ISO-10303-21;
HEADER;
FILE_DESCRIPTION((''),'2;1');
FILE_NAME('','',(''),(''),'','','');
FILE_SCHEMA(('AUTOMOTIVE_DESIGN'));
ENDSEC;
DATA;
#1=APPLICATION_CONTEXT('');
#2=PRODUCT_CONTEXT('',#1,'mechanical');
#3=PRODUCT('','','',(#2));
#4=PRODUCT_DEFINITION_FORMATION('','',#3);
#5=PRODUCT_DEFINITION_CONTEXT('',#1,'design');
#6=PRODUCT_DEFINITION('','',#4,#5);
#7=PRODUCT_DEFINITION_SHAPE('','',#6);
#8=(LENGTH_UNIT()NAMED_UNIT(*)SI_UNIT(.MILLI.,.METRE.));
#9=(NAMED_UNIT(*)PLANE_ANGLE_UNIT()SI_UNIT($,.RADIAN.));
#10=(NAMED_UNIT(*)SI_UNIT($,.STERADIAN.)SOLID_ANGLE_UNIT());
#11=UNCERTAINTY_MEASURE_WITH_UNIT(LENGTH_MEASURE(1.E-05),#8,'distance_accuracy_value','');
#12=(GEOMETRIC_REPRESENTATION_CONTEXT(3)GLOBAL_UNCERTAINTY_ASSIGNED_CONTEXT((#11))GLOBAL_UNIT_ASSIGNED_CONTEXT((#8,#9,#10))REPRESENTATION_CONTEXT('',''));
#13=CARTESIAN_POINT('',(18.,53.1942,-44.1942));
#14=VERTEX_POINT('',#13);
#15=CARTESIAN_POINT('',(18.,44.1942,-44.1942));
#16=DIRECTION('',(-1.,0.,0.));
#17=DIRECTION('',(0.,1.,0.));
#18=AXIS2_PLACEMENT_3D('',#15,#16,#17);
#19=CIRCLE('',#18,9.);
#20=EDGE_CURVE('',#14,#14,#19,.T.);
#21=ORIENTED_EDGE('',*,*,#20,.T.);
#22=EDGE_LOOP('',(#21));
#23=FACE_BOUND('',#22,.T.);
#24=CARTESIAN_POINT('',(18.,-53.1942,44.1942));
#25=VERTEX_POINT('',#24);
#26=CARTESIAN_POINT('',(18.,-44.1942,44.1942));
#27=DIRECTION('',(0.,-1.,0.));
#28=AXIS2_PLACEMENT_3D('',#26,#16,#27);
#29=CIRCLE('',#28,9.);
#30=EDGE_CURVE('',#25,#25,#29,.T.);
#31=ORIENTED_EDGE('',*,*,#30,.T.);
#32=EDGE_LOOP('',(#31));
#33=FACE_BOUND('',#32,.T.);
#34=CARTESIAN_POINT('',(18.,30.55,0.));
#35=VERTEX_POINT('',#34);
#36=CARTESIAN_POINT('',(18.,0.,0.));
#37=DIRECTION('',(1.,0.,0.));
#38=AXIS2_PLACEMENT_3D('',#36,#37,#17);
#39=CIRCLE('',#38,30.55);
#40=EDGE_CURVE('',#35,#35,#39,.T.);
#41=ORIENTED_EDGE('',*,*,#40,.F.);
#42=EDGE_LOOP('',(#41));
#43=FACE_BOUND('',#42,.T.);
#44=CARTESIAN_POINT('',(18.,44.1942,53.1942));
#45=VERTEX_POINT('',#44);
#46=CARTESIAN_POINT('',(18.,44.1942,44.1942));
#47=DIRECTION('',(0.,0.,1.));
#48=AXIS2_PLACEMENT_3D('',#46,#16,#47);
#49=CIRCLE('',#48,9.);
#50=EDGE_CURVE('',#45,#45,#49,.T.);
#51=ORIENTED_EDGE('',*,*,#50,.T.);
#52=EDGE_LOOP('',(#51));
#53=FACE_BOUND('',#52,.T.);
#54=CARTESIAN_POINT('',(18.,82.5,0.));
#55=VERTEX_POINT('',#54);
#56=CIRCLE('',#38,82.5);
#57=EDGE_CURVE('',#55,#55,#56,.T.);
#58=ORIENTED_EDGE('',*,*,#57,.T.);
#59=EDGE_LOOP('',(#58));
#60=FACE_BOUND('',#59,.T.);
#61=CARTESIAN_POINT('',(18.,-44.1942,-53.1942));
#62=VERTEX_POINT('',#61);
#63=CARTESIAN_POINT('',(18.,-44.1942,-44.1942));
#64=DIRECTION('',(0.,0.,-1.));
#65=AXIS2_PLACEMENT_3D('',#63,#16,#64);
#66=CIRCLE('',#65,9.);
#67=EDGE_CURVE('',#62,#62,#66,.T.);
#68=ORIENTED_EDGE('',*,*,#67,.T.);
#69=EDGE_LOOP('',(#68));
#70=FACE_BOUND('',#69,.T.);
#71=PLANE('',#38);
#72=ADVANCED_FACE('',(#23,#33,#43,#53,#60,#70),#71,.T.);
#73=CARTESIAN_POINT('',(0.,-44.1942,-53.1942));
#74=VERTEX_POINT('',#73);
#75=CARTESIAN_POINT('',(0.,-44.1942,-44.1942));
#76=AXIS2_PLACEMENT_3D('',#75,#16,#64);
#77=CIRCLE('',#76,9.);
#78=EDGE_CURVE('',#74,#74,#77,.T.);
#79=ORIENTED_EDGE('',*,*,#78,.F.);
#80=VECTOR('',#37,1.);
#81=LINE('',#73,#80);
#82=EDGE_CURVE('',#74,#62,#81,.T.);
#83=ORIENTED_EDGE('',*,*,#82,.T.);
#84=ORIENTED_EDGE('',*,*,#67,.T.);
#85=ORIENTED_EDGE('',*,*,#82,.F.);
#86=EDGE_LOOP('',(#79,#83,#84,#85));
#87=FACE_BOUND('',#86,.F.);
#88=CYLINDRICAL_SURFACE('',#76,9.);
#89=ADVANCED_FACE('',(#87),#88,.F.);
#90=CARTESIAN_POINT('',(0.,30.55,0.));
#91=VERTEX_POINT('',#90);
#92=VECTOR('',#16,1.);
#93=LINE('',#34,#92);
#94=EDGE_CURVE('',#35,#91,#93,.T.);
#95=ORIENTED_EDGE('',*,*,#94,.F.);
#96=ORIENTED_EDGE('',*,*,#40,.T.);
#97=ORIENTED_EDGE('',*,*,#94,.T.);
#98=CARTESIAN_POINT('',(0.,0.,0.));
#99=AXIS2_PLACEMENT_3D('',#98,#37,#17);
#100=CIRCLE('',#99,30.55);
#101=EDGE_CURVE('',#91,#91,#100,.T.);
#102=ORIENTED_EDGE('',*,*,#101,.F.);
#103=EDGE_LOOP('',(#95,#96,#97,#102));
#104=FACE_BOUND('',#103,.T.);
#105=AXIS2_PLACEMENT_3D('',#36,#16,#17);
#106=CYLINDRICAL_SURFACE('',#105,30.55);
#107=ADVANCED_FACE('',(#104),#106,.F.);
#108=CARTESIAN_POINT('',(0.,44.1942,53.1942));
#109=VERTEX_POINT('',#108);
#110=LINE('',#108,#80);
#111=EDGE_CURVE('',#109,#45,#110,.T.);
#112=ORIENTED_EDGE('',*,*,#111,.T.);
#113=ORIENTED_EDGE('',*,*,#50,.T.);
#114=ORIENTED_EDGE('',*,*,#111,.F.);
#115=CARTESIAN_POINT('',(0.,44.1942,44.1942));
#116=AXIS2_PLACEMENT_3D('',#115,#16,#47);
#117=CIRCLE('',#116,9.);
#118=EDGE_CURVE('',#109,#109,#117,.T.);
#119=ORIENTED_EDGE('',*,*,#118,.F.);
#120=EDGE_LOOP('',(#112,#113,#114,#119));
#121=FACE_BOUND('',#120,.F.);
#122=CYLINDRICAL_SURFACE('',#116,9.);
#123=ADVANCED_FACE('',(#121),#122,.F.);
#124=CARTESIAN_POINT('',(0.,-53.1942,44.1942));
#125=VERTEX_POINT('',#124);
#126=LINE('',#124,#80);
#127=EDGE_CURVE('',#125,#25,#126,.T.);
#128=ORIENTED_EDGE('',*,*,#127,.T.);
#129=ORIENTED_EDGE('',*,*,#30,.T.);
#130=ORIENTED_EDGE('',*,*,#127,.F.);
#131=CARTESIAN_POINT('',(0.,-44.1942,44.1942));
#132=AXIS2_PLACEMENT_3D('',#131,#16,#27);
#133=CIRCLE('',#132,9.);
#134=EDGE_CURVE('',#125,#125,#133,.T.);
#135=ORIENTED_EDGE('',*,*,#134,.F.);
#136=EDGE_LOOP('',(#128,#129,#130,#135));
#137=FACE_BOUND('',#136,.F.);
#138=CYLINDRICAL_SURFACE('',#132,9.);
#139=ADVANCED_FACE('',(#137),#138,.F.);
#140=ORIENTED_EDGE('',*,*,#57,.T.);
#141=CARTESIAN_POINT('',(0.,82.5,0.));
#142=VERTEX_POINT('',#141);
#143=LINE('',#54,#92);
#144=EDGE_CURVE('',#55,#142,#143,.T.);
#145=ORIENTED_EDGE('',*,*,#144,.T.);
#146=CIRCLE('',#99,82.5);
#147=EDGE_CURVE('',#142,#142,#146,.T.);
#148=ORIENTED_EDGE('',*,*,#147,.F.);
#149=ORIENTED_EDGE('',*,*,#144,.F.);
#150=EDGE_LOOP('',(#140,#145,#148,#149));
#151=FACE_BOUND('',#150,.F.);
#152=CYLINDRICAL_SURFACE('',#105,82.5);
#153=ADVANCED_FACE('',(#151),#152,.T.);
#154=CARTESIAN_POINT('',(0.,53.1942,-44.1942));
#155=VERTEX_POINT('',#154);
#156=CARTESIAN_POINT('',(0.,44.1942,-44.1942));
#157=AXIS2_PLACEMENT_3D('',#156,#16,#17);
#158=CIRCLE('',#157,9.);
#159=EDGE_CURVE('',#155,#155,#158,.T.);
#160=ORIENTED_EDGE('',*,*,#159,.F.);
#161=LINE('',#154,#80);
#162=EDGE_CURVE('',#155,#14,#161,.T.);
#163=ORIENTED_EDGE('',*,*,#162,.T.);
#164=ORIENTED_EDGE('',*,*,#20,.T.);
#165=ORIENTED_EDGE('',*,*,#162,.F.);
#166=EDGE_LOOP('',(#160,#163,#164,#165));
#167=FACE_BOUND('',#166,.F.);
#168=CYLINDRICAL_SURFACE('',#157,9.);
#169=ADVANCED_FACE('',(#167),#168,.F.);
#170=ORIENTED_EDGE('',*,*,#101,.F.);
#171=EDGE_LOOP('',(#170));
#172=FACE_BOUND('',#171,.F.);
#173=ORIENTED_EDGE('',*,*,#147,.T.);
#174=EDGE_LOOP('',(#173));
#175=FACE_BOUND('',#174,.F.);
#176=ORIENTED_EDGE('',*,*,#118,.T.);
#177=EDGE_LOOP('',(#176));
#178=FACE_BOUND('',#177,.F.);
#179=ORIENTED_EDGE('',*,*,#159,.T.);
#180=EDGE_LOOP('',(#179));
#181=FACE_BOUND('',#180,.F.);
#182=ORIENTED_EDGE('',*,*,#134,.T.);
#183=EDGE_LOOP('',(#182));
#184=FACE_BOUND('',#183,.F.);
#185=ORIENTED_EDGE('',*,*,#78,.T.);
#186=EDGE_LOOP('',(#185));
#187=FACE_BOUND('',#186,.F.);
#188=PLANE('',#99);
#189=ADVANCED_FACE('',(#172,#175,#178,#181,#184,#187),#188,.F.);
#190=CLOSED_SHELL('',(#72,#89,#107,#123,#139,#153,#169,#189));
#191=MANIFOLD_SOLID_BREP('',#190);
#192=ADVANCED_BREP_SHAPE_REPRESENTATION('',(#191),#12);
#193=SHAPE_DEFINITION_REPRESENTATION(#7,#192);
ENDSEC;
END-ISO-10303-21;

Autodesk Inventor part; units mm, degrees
ref_plane "YZ Plane" through (0, 0, 0) normal (1, 0, 0) x (0, 1, 0)
ref_plane "XZ Plane" through (0, 0, 0) normal (0, 1, 0) x (-1, 0, 0)
ref_plane "XY Plane" through (0, 0, 0) normal (0, 0, 1) x (1, 0, 0)
sketch "Sketch1" plane through (0, 0, 0) normal (0, 0, 1) x (1, 0, 0)
  line L0 (18, 82.5) -> (0, 82.5)
  line L1 (0, 82.5) -> (0, 30.55)
  line L2 (0, 30.55) -> (0, 0) construction
  line L3 (0, 0) -> (18, 0) construction
  line L4 (18, 82.5) -> (18, 30.55)
  line L5 (18, 30.55) -> (0, 30.55)
  line L6 (18, 30.55) -> (18, 0) construction
  dimension "d0" = 165
  dimension "d1" = 18
  dimension "d5" = 61.1
revolve "Revolution1" add sketch "Sketch1" angle 360 about axis through (0, 0, 0) along (1, 0, 0)
sketch "Sketch2" plane through (0, 0, 0) normal (-1, 0, 0) x (0, 0, 1)
  circle A0 centre (0, 0) radius 30.55 projected
  line L0 (0, 62.5) -> (0, 0) construction
  circle A1 centre (0, 0) radius 82.5 projected
  circle A2 centre (0, 0) radius 62.5 construction
  line L1 (0, 0) -> (44.1942, 44.1942) construction
  circle A3 centre (44.1942, 44.1942) radius 9
  dimension "d6" = 18
  dimension "d7" = 62.5
  dimension "d8" = 45
extrude "Extrusion1" cut sketch "Sketch2" against normal through all contours A3
pattern_circular "Circular Pattern1" count 4 over 360 about axis through (9, 0, 0) along (1, 0, 0) of "Extrusion1"
equation "\"d6\" = dd2"
equation "\"d7\" = 0.5 * k"
equation "\"d0\" = D"
equation "\"d1\" = b"
equation "\"d5\" = dd5"
equation "\"b\" = 18"
equation "\"D\" = 165"
equation "\"k\" = 125"
equation "\"dd2\" = 18"
equation "\"dd5\" = 61.1"
equation "\"Size_Designation\" = 1.2345"
properties part number "DIN 2576 Slip-On Flange for Welding Series 1 (ISO) - PN 10 50 x 60.3" material "Steel"
